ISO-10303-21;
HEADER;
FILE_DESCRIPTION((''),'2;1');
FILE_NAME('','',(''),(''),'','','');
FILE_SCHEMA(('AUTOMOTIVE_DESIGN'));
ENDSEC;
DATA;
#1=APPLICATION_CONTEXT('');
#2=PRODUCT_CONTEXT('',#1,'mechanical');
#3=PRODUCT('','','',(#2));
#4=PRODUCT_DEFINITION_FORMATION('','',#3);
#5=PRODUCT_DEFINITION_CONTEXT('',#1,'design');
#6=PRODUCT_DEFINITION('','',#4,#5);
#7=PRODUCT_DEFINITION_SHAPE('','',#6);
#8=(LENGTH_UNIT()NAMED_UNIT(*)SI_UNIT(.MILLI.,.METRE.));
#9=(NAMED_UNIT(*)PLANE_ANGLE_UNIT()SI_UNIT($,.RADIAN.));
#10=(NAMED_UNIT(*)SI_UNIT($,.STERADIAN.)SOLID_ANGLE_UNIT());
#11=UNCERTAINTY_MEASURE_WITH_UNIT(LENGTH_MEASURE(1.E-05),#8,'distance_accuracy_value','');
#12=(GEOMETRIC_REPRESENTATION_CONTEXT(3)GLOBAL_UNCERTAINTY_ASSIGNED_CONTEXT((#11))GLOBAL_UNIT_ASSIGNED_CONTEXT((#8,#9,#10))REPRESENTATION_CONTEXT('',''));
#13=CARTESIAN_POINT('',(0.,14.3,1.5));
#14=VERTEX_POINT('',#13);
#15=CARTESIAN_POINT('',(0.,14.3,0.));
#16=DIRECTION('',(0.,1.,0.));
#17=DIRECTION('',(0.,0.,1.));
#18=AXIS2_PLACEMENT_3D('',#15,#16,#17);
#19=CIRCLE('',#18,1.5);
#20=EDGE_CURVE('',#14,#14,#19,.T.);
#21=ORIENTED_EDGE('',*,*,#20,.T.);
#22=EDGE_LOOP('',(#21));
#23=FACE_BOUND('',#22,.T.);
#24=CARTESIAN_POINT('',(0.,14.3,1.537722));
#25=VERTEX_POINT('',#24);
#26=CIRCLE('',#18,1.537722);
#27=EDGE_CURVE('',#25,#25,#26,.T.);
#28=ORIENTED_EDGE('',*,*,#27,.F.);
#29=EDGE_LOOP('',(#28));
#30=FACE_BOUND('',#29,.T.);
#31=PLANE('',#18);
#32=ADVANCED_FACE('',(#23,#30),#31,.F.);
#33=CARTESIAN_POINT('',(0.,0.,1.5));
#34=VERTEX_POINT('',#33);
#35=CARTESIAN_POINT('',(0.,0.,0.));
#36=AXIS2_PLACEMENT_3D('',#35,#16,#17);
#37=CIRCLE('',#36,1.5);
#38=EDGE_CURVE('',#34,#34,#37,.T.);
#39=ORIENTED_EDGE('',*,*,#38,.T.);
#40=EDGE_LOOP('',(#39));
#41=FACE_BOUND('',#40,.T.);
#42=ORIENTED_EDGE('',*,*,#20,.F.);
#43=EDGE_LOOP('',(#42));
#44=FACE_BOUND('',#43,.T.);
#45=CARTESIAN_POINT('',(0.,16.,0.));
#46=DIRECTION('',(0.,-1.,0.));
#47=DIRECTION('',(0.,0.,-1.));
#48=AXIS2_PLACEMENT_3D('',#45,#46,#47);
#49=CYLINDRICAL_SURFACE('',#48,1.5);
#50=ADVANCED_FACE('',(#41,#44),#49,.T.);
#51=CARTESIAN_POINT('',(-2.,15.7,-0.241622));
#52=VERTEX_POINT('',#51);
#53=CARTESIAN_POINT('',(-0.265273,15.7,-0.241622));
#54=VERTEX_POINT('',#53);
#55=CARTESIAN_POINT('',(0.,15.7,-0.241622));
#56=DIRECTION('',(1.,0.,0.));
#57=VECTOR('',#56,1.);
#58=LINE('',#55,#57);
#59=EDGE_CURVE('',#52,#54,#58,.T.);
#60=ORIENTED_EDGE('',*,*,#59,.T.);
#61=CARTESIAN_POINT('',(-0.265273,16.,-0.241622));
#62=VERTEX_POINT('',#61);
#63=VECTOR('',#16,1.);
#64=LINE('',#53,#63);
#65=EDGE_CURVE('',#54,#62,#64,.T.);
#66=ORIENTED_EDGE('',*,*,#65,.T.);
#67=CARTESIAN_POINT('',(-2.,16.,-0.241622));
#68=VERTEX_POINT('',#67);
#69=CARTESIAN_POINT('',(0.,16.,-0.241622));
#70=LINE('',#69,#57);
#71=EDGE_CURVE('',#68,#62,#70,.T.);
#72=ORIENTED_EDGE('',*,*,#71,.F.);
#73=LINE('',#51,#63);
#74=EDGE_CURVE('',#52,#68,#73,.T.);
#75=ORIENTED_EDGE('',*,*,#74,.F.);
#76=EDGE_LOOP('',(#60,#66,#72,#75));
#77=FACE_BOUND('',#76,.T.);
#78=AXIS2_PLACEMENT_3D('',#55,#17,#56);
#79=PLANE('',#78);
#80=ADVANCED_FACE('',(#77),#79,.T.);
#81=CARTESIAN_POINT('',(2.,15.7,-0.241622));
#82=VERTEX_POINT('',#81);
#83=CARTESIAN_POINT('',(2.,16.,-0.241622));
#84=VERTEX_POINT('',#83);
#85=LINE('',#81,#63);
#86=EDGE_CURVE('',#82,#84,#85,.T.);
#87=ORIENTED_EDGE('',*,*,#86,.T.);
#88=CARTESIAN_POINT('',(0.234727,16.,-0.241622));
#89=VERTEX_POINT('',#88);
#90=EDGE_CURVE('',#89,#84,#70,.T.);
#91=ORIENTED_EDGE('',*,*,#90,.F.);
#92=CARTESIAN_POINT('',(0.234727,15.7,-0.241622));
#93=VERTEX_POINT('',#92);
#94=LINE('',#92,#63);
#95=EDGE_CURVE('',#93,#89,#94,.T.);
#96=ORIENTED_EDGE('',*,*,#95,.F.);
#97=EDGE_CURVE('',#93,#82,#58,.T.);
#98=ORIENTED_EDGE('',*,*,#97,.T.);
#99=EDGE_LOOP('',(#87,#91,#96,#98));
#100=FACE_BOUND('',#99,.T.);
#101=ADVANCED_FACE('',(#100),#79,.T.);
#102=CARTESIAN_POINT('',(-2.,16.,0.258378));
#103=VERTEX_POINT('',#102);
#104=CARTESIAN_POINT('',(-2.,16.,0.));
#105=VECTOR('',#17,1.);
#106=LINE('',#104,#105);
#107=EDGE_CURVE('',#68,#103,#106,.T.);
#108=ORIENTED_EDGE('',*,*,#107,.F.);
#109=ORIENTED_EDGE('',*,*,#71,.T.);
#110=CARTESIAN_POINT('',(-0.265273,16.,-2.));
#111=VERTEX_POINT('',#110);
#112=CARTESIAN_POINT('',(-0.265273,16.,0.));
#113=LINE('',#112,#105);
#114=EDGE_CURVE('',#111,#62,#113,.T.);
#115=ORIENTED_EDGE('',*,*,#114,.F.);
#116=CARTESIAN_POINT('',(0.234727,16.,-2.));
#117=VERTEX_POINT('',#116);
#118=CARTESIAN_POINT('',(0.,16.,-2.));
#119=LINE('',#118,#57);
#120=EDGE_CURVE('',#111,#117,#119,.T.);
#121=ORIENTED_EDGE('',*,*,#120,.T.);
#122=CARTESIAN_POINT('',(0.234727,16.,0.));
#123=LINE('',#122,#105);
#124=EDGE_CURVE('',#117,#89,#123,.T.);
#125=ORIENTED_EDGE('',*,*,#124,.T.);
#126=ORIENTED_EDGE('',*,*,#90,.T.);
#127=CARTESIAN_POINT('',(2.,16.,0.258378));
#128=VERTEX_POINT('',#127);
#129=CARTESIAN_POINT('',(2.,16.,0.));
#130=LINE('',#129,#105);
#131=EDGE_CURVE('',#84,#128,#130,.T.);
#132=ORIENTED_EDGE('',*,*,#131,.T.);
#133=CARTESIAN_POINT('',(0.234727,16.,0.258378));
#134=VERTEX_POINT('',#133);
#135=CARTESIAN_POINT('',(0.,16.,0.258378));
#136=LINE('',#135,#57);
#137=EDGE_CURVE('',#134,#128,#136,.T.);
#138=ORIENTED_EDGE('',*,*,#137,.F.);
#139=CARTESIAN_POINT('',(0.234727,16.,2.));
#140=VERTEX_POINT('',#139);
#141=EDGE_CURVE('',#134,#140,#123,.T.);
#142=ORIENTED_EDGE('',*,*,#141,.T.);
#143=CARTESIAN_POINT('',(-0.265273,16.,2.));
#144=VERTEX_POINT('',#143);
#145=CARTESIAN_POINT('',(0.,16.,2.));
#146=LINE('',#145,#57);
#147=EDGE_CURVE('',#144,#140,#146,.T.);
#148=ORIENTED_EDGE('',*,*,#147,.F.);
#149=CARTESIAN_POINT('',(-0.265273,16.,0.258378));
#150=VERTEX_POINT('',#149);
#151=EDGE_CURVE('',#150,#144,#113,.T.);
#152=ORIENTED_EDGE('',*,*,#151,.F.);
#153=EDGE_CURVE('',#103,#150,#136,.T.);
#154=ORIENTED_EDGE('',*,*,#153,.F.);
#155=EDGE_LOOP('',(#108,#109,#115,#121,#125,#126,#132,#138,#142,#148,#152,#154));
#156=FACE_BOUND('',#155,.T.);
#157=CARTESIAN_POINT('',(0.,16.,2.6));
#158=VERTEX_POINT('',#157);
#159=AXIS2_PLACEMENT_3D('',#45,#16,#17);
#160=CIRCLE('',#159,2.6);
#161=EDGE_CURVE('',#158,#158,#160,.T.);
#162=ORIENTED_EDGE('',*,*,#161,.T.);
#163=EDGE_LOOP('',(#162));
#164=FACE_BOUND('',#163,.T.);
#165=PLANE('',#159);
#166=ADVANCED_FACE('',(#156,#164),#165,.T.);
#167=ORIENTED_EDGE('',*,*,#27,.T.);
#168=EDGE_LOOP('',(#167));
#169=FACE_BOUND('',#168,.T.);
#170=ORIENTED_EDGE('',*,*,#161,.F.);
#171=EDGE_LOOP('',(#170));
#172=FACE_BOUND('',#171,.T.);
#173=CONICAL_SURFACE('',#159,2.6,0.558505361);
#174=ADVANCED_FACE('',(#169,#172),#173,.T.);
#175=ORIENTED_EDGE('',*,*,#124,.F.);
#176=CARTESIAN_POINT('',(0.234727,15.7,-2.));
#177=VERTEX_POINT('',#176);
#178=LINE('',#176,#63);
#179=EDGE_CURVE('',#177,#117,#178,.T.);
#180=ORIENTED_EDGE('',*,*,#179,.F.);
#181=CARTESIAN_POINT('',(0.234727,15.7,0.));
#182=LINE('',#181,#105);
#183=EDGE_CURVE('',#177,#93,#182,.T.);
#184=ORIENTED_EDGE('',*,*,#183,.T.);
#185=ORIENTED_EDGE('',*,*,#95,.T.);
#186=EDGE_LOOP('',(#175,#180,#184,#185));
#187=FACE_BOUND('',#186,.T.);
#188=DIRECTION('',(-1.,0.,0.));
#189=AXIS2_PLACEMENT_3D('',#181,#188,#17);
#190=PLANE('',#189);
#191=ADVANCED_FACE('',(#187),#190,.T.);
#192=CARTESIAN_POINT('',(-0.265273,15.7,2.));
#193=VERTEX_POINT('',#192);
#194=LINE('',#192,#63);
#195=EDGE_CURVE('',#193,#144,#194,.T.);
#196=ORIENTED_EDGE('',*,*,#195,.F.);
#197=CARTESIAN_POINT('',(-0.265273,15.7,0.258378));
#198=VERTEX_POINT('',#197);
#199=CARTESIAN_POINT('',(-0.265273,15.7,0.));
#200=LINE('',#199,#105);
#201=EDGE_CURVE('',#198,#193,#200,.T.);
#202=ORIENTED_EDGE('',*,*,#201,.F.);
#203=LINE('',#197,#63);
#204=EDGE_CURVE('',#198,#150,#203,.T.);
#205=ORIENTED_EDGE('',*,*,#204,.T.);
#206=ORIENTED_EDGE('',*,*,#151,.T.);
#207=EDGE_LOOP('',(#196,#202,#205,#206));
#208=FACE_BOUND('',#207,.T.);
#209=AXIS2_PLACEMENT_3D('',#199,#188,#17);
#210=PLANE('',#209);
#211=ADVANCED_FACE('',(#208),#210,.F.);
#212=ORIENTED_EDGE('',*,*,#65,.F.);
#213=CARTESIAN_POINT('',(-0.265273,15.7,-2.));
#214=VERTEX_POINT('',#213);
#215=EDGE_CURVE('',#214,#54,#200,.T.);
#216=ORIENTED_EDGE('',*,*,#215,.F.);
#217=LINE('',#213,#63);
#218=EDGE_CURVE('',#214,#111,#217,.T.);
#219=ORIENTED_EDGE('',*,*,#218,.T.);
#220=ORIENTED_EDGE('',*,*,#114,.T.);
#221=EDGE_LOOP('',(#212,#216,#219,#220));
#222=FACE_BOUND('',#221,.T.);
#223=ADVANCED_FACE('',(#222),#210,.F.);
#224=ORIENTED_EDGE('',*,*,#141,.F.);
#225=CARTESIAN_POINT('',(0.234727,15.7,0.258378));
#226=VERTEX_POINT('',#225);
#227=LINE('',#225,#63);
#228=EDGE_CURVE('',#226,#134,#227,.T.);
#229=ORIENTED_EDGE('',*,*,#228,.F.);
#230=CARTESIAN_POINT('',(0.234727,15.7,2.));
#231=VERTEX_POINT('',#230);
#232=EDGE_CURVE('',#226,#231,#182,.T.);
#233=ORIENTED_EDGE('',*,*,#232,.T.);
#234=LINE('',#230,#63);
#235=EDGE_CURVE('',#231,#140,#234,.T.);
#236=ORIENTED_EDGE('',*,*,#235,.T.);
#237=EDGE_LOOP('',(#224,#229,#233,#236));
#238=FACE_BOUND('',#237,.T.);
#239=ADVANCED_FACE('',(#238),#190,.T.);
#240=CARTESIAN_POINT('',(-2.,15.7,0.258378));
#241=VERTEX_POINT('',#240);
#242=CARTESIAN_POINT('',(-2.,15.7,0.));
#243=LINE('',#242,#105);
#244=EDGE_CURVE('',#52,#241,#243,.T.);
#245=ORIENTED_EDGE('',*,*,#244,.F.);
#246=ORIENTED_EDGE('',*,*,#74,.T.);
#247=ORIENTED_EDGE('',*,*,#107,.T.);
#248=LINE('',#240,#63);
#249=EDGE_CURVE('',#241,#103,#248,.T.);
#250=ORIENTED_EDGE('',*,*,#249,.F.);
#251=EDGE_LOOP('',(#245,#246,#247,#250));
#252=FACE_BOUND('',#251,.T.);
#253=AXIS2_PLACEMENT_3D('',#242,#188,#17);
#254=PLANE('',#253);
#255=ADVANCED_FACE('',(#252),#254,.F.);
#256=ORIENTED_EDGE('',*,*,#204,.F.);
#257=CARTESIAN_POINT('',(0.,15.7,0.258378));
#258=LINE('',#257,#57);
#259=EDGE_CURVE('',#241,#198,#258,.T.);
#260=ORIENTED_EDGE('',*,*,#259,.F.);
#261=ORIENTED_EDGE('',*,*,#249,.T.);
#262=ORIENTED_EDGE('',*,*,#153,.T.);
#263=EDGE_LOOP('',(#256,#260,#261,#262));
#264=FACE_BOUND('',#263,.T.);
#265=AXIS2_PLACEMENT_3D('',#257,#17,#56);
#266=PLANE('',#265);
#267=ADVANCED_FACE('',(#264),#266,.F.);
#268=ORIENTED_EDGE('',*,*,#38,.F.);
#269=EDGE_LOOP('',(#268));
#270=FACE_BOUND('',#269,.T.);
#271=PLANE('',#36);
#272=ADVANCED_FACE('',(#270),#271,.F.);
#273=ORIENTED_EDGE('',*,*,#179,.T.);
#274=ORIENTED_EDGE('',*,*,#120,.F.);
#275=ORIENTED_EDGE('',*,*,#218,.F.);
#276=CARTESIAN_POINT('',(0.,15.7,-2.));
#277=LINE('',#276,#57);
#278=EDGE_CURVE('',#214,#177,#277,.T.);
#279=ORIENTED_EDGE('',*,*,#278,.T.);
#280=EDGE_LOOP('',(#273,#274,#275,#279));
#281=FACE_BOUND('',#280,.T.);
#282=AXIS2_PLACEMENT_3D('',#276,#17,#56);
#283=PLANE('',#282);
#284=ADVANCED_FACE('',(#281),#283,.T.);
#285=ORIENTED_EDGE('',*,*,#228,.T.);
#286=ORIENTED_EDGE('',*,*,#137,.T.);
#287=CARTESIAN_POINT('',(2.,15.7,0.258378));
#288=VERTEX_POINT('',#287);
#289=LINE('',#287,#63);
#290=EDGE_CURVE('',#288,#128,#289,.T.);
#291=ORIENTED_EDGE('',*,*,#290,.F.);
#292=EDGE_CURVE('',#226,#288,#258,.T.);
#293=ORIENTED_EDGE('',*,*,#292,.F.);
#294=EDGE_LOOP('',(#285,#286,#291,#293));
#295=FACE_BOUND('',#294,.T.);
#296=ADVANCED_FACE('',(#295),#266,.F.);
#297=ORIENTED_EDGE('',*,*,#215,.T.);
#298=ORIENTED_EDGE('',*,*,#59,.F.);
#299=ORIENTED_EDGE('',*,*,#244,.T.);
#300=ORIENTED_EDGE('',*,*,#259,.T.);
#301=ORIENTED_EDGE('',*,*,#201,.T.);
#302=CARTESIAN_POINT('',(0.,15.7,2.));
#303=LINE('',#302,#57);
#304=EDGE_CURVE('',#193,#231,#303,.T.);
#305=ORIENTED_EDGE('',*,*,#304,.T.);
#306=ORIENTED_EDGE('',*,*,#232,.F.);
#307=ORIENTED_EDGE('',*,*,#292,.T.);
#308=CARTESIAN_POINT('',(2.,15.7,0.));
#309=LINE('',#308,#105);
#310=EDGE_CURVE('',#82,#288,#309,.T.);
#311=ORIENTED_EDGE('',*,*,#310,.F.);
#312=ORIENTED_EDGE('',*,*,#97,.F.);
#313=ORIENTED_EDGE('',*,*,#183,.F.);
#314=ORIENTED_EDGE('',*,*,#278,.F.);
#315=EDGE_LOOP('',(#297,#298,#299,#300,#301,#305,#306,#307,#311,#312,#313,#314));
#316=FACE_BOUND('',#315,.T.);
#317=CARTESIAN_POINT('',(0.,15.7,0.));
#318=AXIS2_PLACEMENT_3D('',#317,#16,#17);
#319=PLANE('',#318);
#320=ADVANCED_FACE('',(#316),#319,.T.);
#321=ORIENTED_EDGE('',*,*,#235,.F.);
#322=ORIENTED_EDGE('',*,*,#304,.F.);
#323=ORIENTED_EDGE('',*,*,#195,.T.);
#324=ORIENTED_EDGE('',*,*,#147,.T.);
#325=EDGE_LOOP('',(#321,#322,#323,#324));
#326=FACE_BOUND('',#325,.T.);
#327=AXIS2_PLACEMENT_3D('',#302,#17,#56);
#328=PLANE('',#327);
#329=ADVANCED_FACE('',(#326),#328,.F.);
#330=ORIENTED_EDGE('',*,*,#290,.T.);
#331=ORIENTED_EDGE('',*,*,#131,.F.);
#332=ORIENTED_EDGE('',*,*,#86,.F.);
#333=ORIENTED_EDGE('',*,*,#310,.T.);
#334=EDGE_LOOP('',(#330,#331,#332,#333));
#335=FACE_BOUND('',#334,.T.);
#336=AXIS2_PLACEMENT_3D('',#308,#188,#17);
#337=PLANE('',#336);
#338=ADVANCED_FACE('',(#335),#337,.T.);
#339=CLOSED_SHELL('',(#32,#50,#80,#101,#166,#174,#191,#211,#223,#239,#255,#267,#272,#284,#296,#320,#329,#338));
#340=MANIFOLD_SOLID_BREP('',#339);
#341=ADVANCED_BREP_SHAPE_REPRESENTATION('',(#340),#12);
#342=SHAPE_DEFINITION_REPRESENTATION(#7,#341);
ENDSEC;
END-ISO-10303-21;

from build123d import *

# Parameters (mm, degrees)
SKETCH1_R           = 1.5
BOSS_EXTRUDE1_DEPTH = 16
SKETCH2_R           = 2.6
BOSS_EXTRUDE2_DEPTH = 1.7
BOSS_EXTRUDE2_TAPER = 32
SKETCH3_W           = 0.5
SKETCH3_H           = 1.758378485
SKETCH3_H_2         = 1.741621515
SKETCH3_W_2         = 1.734727157
SKETCH3_H_3         = 0.5
SKETCH3_W_3         = 1.765272843
CUT_EXTRUDE1_DEPTH  = 0.3


with BuildPart() as part:
    # Sketch1 → Boss-Extrude1 (new body)
    with BuildSketch(Plane(origin=(0, 0, 0), x_dir=(1, 0, 0), z_dir=(0, 1, 0))):
        Circle(SKETCH1_R)
    extrude(amount=BOSS_EXTRUDE1_DEPTH)

    # Sketch2 → Boss-Extrude2 (add)
    with BuildSketch(Plane(origin=(0, 16, 0), x_dir=(1, 0, 0), z_dir=(0, 1, 0))):
        Circle(SKETCH2_R)
    extrude(amount=-BOSS_EXTRUDE2_DEPTH, taper=BOSS_EXTRUDE2_TAPER)

    # Sketch3 → Cut-Extrude1 (cut)
    with BuildSketch(Plane(origin=(0, 16, 0), x_dir=(1, 0, 0), z_dir=(0, 1, 0))):
        with Locations((-0.015272843, 1.120810757)):
            Rectangle(SKETCH3_W, SKETCH3_H)
        with Locations((-0.015272843, -1.129189243)):
            Rectangle(SKETCH3_W, SKETCH3_H_2)
        with Locations((-1.132636421, -0.008378485)):
            Rectangle(SKETCH3_W_2, SKETCH3_H_3)
        with Locations((1.117363579, -0.008378485)):
            Rectangle(SKETCH3_W_3, SKETCH3_H_3)
        with Locations((-0.015272843, -0.008378485)):
            Rectangle(SKETCH3_W, SKETCH3_H_3)
    extrude(amount=-CUT_EXTRUDE1_DEPTH, mode=Mode.SUBTRACT)


solid = part.part
